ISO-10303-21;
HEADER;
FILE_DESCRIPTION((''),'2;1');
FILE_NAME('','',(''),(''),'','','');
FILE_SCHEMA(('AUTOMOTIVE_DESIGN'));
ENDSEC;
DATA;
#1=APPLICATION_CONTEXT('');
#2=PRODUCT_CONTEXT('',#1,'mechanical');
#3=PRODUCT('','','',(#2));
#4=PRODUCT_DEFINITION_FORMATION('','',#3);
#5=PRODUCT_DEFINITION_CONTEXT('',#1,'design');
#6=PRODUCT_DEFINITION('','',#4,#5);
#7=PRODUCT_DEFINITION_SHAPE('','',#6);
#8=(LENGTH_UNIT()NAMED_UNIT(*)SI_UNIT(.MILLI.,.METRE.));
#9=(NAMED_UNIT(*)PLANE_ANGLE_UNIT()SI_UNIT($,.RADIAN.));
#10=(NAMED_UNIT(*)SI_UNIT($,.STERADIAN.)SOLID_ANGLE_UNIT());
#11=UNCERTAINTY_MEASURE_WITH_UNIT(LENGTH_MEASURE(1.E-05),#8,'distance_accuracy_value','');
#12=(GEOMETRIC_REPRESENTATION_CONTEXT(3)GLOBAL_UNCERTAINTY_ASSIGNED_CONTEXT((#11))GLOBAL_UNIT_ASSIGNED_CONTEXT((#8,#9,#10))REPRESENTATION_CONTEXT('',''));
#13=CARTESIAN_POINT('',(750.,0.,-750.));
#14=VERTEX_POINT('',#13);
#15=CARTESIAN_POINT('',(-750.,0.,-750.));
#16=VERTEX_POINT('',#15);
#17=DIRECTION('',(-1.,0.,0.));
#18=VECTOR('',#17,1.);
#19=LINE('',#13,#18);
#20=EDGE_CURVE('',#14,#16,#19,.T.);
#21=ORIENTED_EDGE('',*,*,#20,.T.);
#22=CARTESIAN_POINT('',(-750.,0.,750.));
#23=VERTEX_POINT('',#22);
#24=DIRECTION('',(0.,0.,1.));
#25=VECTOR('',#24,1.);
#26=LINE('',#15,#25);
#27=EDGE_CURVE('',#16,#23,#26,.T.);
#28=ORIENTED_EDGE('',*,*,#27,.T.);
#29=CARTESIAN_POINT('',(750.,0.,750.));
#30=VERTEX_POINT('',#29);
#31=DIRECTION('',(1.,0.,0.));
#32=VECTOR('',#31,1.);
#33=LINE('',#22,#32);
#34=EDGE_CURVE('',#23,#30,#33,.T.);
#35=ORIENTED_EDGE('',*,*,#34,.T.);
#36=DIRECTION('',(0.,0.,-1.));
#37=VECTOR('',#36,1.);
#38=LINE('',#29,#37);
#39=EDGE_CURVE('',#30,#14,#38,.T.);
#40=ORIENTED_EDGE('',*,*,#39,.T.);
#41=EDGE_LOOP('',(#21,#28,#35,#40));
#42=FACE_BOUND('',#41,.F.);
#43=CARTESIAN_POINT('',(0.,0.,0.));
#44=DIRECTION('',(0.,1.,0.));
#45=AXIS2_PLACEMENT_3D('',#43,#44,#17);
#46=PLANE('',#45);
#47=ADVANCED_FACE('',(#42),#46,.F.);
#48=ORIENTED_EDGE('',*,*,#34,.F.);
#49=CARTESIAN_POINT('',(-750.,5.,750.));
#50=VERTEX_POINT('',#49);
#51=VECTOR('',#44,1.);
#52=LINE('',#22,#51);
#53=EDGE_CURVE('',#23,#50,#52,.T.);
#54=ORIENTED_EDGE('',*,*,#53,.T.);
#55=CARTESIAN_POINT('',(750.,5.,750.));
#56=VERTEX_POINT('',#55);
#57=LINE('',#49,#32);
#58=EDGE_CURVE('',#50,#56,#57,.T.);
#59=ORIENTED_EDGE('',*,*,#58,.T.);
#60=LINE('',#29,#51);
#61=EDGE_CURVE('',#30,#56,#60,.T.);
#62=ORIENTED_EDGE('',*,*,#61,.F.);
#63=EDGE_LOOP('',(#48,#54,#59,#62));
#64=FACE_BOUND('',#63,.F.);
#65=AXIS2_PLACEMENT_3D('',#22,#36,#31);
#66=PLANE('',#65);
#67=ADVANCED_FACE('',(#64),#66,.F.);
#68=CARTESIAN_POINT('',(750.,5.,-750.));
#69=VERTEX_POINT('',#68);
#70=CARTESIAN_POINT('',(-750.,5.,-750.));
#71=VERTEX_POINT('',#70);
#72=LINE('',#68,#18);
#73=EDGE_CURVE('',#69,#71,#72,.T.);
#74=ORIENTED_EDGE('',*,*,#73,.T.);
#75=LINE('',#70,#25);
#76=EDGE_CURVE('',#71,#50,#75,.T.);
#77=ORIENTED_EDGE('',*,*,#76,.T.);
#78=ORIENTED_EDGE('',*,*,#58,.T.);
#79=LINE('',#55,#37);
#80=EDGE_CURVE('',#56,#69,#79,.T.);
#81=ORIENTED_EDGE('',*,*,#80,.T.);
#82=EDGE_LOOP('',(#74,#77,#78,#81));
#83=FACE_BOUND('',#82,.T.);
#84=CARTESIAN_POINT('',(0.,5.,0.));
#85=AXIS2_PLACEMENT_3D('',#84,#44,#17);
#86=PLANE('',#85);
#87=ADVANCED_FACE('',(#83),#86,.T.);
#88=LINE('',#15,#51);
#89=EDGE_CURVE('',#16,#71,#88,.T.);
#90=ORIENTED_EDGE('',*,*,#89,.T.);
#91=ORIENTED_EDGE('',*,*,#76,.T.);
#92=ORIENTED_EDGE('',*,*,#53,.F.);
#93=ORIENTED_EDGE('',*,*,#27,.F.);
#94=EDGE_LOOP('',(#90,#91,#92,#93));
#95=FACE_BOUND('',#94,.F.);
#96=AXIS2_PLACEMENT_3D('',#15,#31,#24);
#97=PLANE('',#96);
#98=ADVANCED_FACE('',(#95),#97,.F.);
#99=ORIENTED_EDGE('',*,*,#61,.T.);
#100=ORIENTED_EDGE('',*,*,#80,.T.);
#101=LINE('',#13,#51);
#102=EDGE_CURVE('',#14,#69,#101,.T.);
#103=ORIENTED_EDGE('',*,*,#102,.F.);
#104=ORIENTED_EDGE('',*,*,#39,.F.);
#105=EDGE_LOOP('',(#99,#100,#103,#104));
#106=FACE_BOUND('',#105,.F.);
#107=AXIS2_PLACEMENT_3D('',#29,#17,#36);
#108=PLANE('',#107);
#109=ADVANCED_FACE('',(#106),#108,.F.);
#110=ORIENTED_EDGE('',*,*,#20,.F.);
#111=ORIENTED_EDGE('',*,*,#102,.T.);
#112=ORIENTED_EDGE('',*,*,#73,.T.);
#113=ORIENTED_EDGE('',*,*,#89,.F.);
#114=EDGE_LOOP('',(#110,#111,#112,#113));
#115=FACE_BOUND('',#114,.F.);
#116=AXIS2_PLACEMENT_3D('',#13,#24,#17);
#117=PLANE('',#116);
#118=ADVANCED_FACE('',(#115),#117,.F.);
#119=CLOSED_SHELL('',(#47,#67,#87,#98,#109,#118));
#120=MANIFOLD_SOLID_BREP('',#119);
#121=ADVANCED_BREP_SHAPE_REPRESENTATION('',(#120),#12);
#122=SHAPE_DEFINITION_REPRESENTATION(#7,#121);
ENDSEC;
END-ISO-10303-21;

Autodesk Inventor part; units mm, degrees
ref_plane "YZ Plane" through (0, 0, 0) normal (1, 0, 0) x (0, 1, 0)
ref_plane "XZ Plane" through (0, 0, 0) normal (0, 1, 0) x (-1, 0, 0)
ref_plane "XY Plane" through (0, 0, 0) normal (0, 0, 1) x (1, 0, 0)
sketch "Эскиз1" plane through (0, 0, 0) normal (0, 1, 0) x (-1, 0, 0)
  line L0 (750, 750) -> (-750, 750)
  line L1 (-750, 750) -> (-750, -750)
  line L2 (-750, -750) -> (750, -750)
  line L3 (750, -750) -> (750, 750)
  line L4 (750, 750) -> (-750, -750) construction
  line L5 (-750, 750) -> (750, -750) construction
  point P0 (0, 0)
  dimension "d0" = 1500
  dimension "d1" = 1500
extrude "Пластина1" add sketch "Эскиз1" along normal blind 5
equation "\"d2\" = Толщина"
equation "\"Радиус_гибки\" = Толщина"
equation "\"Ширина_просечки\" = Толщина"
equation "\"Глубина_просечки\" = 0.5 * Толщина"
equation "\"Радиус_перехода\" = Радиус_гибки"
equation "\"Радиус_Якоби\" = Радиус_гибки"
equation "\"Размер_зазора\" = Толщина"
equation "\"Толщина\" = 5"
properties part number "0931"
